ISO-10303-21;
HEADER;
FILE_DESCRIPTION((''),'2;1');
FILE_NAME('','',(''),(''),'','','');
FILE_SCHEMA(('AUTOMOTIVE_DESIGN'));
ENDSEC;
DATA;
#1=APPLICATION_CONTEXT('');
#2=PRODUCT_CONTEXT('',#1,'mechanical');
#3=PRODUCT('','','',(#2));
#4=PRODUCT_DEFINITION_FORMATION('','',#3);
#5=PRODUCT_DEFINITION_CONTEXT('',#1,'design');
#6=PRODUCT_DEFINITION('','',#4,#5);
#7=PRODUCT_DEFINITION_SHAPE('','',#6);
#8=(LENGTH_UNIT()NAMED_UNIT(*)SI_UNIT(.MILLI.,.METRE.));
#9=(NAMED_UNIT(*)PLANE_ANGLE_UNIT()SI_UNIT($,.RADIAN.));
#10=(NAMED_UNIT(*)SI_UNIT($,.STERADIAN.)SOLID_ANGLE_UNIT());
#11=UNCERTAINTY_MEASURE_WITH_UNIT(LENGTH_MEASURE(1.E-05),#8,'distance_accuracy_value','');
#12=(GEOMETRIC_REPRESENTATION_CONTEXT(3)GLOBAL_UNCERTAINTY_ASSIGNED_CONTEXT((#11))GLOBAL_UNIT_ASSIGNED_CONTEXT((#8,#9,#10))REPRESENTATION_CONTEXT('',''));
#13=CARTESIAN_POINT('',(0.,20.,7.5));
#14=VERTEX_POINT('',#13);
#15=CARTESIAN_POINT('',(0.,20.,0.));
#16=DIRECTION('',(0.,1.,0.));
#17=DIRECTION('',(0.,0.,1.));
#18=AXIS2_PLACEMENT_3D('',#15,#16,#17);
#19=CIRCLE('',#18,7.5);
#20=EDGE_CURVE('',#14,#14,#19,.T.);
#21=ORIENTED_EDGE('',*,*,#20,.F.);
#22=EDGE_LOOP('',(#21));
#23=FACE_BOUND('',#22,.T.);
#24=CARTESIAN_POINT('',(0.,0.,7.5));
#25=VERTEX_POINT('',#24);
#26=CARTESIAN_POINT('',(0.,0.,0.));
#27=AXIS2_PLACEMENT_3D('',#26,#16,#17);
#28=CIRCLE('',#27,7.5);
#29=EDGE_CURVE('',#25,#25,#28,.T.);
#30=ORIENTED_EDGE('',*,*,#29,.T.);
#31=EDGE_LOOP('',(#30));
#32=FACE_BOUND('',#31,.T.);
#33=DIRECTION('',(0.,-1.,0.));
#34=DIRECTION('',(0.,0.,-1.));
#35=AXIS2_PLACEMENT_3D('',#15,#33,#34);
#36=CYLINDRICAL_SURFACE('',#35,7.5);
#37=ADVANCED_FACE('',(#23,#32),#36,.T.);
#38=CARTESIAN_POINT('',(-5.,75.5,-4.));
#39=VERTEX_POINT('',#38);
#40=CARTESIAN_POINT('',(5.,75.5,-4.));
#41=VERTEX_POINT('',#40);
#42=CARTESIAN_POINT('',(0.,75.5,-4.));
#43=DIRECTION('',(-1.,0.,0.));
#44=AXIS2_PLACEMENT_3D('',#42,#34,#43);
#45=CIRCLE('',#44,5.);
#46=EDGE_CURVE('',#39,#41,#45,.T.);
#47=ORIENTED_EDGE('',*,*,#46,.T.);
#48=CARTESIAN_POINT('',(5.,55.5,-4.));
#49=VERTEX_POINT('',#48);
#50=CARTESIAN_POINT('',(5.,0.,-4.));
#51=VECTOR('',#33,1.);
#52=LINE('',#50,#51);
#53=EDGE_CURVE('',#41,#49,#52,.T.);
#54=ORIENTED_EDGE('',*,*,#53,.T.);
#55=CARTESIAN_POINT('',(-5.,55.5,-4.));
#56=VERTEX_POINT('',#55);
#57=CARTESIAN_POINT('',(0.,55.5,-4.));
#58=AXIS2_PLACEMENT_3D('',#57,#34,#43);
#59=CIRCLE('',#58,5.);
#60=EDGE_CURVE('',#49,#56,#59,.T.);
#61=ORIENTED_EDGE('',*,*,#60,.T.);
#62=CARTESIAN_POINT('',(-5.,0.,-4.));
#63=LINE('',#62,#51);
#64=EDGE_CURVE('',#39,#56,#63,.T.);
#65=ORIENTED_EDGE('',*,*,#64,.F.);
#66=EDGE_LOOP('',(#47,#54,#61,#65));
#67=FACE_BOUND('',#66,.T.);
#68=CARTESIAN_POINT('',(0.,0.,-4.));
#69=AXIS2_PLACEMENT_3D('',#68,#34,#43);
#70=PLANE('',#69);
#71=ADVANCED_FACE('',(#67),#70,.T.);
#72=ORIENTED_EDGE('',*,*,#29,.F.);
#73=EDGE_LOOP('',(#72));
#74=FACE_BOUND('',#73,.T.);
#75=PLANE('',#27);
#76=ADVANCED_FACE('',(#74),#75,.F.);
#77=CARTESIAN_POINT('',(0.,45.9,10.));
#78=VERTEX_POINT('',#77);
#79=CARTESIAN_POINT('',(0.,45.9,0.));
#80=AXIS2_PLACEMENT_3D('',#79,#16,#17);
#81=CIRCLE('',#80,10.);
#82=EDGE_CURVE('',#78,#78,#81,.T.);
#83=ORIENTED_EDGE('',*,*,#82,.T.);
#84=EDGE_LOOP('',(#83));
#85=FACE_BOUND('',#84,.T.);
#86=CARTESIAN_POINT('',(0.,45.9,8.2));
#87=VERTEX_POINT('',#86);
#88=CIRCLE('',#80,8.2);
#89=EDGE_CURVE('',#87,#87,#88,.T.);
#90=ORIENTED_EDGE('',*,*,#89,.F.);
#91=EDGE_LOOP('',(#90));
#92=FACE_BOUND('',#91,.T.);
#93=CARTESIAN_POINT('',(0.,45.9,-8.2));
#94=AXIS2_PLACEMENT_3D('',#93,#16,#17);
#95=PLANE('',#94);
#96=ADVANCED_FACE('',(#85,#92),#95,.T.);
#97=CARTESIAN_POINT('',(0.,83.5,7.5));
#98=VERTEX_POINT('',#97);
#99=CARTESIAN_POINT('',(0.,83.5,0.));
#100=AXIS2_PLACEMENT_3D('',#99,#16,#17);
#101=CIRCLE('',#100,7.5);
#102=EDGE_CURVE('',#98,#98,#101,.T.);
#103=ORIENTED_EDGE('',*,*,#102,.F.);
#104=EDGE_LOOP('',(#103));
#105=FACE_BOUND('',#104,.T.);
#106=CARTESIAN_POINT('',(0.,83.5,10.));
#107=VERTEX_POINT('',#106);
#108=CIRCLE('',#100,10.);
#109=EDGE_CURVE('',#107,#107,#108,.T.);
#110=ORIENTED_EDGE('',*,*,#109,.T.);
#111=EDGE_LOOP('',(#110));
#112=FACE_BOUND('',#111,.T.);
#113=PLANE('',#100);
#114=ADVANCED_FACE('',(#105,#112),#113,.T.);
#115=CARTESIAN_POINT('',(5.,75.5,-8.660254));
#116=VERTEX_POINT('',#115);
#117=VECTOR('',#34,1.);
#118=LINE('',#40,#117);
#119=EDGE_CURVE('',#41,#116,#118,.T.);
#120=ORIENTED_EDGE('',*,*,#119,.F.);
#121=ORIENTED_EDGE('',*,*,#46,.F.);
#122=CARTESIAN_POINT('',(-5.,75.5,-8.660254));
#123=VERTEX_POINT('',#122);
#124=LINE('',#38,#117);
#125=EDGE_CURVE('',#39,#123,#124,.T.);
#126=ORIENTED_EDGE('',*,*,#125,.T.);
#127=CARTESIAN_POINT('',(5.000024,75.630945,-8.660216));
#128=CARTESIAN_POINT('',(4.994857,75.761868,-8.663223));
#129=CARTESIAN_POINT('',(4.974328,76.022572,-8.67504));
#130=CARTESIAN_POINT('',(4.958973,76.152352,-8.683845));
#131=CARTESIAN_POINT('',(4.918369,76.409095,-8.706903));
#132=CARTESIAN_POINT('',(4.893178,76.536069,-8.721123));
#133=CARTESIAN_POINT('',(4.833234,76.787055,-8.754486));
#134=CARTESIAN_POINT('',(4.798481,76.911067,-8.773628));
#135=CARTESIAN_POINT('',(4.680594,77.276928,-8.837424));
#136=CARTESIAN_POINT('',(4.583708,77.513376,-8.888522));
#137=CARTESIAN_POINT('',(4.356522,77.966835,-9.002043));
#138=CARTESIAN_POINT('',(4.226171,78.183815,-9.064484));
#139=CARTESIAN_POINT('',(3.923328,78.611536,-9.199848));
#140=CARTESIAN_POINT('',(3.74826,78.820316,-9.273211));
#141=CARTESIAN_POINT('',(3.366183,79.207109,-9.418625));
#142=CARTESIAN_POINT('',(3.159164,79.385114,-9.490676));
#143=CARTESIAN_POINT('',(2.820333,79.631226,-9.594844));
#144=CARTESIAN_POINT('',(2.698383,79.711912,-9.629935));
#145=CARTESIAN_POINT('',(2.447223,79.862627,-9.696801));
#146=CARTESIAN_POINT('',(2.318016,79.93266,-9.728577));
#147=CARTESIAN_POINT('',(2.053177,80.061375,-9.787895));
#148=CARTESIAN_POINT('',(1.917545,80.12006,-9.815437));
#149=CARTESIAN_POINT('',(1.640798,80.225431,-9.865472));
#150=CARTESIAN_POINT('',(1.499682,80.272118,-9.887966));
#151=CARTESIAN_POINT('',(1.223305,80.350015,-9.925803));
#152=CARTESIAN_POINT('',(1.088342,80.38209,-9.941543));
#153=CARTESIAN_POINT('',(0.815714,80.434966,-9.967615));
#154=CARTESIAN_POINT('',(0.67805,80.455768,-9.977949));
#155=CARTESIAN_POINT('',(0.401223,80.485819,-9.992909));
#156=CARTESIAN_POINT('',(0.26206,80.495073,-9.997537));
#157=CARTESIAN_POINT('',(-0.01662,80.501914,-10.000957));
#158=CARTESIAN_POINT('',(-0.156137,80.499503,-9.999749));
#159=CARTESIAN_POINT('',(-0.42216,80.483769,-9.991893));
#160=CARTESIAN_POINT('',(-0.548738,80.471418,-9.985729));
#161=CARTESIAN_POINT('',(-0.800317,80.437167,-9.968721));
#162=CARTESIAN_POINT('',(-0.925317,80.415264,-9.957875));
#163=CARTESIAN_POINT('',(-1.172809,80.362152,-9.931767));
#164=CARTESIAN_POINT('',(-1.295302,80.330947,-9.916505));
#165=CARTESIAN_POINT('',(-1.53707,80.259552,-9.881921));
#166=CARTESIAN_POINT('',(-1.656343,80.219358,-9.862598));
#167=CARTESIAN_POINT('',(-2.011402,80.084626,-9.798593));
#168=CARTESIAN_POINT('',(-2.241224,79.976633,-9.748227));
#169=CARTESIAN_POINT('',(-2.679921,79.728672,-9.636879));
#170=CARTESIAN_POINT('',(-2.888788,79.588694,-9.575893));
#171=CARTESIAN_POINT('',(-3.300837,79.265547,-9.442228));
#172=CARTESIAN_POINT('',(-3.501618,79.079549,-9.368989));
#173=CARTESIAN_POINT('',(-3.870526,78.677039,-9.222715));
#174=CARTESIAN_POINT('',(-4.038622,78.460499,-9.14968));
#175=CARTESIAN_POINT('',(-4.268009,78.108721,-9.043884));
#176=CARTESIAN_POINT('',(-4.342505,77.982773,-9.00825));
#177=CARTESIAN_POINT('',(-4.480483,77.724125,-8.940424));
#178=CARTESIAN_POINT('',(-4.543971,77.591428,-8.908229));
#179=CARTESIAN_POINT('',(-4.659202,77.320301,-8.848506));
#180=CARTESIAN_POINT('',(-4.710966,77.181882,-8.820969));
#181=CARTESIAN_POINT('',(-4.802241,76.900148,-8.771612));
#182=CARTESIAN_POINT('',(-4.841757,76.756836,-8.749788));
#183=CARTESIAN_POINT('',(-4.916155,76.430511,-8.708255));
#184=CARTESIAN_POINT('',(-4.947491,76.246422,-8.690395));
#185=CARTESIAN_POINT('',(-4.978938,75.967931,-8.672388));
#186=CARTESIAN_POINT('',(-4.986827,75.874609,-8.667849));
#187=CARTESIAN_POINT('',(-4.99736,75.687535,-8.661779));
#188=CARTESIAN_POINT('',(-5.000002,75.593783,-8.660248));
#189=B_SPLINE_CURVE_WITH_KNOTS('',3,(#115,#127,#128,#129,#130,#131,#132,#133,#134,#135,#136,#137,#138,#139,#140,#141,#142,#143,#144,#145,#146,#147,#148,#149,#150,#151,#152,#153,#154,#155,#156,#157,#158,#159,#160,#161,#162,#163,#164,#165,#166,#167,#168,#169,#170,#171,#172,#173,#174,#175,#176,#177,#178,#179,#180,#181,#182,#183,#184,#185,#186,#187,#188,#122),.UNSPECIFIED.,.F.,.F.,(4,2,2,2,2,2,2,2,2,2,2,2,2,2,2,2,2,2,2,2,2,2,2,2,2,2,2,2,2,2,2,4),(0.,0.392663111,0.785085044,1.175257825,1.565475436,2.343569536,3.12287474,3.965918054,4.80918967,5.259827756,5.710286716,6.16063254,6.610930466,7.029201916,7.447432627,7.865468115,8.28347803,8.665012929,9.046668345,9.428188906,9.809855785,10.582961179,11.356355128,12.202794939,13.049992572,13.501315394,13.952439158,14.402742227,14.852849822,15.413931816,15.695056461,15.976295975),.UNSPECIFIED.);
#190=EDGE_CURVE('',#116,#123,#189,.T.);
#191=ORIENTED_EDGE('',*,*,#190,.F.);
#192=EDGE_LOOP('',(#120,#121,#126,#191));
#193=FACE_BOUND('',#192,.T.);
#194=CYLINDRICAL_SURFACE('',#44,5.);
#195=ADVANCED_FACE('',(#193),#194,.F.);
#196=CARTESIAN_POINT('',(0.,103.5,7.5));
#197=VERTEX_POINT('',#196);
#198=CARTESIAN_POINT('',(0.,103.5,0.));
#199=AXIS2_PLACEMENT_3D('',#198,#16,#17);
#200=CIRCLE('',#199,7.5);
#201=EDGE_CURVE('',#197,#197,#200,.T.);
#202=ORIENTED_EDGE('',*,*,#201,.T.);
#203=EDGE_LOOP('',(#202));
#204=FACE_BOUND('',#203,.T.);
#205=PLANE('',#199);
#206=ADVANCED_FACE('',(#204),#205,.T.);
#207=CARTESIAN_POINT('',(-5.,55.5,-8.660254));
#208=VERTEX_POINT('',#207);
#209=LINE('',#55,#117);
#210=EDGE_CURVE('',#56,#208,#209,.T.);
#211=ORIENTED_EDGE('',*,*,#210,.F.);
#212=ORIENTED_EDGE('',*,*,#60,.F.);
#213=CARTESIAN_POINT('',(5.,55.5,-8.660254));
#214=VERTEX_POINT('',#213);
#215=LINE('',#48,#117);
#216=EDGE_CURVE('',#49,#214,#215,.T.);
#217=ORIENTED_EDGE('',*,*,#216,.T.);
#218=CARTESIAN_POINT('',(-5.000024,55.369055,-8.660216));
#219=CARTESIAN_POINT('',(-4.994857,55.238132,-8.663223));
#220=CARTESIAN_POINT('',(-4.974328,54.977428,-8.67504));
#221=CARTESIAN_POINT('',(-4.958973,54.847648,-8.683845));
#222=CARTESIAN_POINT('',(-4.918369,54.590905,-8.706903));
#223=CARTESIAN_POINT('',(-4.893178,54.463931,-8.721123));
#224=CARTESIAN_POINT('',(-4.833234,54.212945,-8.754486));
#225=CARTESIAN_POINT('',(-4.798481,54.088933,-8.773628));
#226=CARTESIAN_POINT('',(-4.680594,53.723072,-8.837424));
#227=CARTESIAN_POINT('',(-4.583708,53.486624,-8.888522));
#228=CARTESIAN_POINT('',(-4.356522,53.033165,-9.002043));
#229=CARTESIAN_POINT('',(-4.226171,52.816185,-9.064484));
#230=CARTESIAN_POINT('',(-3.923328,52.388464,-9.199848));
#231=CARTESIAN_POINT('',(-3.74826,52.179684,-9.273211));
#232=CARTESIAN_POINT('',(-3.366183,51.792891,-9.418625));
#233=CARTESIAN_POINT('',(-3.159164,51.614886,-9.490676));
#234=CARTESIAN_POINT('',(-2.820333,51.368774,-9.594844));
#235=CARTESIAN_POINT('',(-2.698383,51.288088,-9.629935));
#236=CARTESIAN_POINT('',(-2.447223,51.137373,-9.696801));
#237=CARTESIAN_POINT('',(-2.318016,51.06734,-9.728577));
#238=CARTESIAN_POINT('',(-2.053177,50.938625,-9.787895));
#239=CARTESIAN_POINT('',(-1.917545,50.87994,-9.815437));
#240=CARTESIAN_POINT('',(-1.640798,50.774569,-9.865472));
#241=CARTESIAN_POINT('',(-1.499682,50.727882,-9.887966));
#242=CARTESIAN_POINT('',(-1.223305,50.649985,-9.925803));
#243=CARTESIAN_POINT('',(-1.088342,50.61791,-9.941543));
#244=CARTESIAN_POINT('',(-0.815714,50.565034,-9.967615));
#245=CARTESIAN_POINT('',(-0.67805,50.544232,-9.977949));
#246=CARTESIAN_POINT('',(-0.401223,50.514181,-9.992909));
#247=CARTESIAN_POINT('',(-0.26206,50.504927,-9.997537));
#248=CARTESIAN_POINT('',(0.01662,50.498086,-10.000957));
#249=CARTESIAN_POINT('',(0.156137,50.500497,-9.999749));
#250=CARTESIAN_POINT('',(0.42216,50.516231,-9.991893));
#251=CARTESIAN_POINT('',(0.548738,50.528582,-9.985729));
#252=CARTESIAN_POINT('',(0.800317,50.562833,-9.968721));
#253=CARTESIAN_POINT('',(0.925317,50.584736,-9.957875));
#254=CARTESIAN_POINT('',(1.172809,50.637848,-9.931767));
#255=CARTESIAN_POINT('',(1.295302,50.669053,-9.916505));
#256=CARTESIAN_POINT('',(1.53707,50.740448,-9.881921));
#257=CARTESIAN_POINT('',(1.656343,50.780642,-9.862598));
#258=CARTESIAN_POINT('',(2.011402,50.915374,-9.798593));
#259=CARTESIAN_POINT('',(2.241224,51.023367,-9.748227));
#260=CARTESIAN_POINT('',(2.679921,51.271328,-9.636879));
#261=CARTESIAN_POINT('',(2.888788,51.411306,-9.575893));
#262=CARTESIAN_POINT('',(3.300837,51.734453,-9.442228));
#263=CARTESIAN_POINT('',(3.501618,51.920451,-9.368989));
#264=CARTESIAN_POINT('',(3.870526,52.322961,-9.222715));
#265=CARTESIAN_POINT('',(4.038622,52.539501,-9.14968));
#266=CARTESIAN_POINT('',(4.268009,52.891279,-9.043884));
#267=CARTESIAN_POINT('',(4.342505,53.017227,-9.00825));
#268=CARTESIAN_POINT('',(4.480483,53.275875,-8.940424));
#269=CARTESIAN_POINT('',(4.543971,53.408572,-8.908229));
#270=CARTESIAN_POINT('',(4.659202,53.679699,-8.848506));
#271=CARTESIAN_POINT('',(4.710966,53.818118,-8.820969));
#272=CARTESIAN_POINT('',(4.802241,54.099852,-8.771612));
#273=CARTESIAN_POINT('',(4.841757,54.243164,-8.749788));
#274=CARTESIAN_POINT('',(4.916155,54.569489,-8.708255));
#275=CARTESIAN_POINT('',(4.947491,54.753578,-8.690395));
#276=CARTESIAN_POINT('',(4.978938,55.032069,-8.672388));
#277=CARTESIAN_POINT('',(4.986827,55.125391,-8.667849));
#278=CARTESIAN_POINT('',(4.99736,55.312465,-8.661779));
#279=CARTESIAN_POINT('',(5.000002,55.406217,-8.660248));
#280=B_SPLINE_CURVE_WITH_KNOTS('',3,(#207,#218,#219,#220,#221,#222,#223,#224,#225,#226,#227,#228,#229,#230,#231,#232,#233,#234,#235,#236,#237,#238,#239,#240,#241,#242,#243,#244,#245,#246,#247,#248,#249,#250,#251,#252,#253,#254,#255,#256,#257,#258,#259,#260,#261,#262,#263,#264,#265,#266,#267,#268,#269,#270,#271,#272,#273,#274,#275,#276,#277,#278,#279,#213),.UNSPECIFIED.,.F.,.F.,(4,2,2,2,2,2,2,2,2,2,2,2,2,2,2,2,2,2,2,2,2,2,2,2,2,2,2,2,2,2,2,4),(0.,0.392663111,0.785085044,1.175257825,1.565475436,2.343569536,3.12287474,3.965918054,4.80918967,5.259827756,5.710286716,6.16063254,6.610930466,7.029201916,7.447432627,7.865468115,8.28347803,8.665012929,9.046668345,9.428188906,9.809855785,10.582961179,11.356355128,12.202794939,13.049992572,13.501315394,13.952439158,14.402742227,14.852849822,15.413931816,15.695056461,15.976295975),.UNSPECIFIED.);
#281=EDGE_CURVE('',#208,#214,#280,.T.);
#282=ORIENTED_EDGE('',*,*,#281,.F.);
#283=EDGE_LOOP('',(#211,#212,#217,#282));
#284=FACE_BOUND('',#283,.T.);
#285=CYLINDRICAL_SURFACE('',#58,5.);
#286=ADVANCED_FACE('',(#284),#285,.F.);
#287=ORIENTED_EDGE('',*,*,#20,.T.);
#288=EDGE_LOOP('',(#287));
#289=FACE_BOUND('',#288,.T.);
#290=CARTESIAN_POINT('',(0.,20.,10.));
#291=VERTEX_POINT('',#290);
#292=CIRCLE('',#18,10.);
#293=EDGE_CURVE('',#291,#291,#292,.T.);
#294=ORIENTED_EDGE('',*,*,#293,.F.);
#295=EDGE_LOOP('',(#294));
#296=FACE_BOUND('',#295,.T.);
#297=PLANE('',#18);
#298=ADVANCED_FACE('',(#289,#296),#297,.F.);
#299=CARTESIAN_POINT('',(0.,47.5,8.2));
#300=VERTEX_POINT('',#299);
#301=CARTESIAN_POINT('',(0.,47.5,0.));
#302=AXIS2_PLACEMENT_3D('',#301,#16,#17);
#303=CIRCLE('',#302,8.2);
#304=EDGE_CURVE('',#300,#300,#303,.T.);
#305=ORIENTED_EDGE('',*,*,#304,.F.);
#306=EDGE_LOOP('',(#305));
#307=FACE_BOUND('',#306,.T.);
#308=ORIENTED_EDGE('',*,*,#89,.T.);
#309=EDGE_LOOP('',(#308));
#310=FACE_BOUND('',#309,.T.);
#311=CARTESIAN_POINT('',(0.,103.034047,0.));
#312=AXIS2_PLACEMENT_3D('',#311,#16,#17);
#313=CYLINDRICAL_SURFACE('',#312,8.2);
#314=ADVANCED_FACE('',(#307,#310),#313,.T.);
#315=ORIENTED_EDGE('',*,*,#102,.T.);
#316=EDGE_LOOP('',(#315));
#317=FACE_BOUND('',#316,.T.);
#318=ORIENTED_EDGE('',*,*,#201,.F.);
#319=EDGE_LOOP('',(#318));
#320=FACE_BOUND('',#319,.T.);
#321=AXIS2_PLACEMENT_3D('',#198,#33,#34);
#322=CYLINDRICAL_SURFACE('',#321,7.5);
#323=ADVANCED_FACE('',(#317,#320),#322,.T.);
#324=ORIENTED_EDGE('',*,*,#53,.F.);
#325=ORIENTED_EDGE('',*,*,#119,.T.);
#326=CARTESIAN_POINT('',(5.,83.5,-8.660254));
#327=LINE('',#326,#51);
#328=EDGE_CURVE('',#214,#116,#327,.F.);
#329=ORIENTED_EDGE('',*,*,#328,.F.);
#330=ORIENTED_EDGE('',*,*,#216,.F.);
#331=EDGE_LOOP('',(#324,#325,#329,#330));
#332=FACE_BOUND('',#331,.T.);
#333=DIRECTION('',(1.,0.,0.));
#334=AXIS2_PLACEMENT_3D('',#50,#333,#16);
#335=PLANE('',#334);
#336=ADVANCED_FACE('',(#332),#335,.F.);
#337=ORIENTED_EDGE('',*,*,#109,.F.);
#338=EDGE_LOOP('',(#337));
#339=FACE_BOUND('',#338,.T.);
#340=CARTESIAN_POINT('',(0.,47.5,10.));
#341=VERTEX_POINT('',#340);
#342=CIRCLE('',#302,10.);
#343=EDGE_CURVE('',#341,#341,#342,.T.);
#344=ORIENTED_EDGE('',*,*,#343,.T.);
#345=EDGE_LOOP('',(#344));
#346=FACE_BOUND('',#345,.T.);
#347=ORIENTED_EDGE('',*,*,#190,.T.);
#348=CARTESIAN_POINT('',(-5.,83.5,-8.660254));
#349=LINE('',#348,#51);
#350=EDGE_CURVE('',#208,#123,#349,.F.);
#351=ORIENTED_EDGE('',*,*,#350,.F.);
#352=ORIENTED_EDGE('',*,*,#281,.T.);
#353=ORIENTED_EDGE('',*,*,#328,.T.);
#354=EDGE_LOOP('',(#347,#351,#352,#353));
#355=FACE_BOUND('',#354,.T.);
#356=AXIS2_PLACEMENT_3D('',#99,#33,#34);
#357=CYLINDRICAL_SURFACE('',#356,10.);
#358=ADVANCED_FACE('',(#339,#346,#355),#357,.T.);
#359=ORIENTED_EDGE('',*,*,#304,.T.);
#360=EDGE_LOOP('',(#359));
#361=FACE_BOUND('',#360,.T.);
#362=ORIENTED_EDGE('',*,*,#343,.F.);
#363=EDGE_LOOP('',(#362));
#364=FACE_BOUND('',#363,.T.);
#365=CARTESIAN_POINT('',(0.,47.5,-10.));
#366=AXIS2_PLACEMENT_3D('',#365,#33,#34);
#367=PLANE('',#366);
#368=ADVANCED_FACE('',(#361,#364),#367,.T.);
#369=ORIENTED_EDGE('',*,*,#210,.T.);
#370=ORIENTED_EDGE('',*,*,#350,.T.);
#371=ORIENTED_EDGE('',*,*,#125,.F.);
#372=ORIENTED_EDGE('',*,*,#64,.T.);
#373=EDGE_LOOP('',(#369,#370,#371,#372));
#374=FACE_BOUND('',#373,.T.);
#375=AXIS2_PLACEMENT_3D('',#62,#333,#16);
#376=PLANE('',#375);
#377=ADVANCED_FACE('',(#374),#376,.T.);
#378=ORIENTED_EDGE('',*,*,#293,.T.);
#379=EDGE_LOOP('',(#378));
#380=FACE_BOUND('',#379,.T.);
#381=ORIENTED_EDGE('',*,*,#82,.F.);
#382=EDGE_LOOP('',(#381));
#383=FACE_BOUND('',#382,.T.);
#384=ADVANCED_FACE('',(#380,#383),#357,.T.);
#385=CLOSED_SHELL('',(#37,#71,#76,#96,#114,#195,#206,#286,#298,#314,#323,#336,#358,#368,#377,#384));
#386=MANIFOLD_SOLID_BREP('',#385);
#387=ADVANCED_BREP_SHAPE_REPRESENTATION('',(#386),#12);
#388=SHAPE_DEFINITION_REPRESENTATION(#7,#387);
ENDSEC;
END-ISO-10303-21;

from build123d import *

# Parameters (mm, degrees)
SKETCH1_R           = 7.5
BOSS_EXTRUDE1_DEPTH = 20
SKETCH2_R           = 10
BOSS_EXTRUDE2_DEPTH = 63.5
SKETCH3_R           = 7.5
BOSS_EXTRUDE3_DEPTH = 20
CUT_EXTRUDE1_DEPTH  = 6
SKETCH5_W           = 1.8
SKETCH5_H           = 1.6


with BuildPart() as part:
    # Sketch1 → Boss-Extrude1 (new body)
    with BuildSketch(Plane(origin=(0, 0, 0), x_dir=(1, 0, 0), z_dir=(0, 1, 0))):
        with Locations(Location((0, 0, 0), (0, 0, 270))):
            Circle(SKETCH1_R)
    extrude(amount=BOSS_EXTRUDE1_DEPTH)

    # Sketch2 → Boss-Extrude2 (add)
    with BuildSketch(Plane(origin=(0, 20, 0), x_dir=(1, 0, 0), z_dir=(0, 1, 0))):
        with Locations(Location((0, 0, 0), (0, 0, 270))):
            Circle(SKETCH2_R)
    extrude(amount=BOSS_EXTRUDE2_DEPTH)

    # Sketch3 → Boss-Extrude3 (add)
    with BuildSketch(Plane(origin=(0, 83.5, 0), x_dir=(1, 0, 0), z_dir=(0, 1, 0))):
        with Locations(Location((0, 0, 0), (0, 0, 270))):
            Circle(SKETCH3_R)
    extrude(amount=BOSS_EXTRUDE3_DEPTH)

    # Sketch4 → Cut-Extrude1 (cut)
    with BuildSketch(Plane(origin=(0, 0, -10), x_dir=(-1, 0, 0), z_dir=(0, 0, -1))):
        with BuildLine():
            Line((-5, 75.5), (-5, 55.5))
            ThreePointArc((-5, 55.5), (0, 50.5), (5, 55.5))
            Line((5, 55.5), (5, 75.5))
            ThreePointArc((5, 75.5), (0, 80.5), (-5, 75.5))
        make_face()
    extrude(amount=-CUT_EXTRUDE1_DEPTH, mode=Mode.SUBTRACT)

    # Sketch5 → Cut-Revolve1 (revolve, cut)
    with BuildSketch(Plane(origin=(0, 0, 0), x_dir=(0, 0, -1), z_dir=(1, 0, 0)), mode=Mode.PRIVATE) as cut_revolve1_sk:
        with Locations((9.1, 46.7)):
            Rectangle(SKETCH5_W, SKETCH5_H)
    revolve(cut_revolve1_sk.sketch.rotate(Axis((0, 103.034047477, 0), (0, -1, 0)), 180), axis=Axis((0, 103.034047477, 0), (0, -1, 0)), mode=Mode.SUBTRACT)


solid = part.part
